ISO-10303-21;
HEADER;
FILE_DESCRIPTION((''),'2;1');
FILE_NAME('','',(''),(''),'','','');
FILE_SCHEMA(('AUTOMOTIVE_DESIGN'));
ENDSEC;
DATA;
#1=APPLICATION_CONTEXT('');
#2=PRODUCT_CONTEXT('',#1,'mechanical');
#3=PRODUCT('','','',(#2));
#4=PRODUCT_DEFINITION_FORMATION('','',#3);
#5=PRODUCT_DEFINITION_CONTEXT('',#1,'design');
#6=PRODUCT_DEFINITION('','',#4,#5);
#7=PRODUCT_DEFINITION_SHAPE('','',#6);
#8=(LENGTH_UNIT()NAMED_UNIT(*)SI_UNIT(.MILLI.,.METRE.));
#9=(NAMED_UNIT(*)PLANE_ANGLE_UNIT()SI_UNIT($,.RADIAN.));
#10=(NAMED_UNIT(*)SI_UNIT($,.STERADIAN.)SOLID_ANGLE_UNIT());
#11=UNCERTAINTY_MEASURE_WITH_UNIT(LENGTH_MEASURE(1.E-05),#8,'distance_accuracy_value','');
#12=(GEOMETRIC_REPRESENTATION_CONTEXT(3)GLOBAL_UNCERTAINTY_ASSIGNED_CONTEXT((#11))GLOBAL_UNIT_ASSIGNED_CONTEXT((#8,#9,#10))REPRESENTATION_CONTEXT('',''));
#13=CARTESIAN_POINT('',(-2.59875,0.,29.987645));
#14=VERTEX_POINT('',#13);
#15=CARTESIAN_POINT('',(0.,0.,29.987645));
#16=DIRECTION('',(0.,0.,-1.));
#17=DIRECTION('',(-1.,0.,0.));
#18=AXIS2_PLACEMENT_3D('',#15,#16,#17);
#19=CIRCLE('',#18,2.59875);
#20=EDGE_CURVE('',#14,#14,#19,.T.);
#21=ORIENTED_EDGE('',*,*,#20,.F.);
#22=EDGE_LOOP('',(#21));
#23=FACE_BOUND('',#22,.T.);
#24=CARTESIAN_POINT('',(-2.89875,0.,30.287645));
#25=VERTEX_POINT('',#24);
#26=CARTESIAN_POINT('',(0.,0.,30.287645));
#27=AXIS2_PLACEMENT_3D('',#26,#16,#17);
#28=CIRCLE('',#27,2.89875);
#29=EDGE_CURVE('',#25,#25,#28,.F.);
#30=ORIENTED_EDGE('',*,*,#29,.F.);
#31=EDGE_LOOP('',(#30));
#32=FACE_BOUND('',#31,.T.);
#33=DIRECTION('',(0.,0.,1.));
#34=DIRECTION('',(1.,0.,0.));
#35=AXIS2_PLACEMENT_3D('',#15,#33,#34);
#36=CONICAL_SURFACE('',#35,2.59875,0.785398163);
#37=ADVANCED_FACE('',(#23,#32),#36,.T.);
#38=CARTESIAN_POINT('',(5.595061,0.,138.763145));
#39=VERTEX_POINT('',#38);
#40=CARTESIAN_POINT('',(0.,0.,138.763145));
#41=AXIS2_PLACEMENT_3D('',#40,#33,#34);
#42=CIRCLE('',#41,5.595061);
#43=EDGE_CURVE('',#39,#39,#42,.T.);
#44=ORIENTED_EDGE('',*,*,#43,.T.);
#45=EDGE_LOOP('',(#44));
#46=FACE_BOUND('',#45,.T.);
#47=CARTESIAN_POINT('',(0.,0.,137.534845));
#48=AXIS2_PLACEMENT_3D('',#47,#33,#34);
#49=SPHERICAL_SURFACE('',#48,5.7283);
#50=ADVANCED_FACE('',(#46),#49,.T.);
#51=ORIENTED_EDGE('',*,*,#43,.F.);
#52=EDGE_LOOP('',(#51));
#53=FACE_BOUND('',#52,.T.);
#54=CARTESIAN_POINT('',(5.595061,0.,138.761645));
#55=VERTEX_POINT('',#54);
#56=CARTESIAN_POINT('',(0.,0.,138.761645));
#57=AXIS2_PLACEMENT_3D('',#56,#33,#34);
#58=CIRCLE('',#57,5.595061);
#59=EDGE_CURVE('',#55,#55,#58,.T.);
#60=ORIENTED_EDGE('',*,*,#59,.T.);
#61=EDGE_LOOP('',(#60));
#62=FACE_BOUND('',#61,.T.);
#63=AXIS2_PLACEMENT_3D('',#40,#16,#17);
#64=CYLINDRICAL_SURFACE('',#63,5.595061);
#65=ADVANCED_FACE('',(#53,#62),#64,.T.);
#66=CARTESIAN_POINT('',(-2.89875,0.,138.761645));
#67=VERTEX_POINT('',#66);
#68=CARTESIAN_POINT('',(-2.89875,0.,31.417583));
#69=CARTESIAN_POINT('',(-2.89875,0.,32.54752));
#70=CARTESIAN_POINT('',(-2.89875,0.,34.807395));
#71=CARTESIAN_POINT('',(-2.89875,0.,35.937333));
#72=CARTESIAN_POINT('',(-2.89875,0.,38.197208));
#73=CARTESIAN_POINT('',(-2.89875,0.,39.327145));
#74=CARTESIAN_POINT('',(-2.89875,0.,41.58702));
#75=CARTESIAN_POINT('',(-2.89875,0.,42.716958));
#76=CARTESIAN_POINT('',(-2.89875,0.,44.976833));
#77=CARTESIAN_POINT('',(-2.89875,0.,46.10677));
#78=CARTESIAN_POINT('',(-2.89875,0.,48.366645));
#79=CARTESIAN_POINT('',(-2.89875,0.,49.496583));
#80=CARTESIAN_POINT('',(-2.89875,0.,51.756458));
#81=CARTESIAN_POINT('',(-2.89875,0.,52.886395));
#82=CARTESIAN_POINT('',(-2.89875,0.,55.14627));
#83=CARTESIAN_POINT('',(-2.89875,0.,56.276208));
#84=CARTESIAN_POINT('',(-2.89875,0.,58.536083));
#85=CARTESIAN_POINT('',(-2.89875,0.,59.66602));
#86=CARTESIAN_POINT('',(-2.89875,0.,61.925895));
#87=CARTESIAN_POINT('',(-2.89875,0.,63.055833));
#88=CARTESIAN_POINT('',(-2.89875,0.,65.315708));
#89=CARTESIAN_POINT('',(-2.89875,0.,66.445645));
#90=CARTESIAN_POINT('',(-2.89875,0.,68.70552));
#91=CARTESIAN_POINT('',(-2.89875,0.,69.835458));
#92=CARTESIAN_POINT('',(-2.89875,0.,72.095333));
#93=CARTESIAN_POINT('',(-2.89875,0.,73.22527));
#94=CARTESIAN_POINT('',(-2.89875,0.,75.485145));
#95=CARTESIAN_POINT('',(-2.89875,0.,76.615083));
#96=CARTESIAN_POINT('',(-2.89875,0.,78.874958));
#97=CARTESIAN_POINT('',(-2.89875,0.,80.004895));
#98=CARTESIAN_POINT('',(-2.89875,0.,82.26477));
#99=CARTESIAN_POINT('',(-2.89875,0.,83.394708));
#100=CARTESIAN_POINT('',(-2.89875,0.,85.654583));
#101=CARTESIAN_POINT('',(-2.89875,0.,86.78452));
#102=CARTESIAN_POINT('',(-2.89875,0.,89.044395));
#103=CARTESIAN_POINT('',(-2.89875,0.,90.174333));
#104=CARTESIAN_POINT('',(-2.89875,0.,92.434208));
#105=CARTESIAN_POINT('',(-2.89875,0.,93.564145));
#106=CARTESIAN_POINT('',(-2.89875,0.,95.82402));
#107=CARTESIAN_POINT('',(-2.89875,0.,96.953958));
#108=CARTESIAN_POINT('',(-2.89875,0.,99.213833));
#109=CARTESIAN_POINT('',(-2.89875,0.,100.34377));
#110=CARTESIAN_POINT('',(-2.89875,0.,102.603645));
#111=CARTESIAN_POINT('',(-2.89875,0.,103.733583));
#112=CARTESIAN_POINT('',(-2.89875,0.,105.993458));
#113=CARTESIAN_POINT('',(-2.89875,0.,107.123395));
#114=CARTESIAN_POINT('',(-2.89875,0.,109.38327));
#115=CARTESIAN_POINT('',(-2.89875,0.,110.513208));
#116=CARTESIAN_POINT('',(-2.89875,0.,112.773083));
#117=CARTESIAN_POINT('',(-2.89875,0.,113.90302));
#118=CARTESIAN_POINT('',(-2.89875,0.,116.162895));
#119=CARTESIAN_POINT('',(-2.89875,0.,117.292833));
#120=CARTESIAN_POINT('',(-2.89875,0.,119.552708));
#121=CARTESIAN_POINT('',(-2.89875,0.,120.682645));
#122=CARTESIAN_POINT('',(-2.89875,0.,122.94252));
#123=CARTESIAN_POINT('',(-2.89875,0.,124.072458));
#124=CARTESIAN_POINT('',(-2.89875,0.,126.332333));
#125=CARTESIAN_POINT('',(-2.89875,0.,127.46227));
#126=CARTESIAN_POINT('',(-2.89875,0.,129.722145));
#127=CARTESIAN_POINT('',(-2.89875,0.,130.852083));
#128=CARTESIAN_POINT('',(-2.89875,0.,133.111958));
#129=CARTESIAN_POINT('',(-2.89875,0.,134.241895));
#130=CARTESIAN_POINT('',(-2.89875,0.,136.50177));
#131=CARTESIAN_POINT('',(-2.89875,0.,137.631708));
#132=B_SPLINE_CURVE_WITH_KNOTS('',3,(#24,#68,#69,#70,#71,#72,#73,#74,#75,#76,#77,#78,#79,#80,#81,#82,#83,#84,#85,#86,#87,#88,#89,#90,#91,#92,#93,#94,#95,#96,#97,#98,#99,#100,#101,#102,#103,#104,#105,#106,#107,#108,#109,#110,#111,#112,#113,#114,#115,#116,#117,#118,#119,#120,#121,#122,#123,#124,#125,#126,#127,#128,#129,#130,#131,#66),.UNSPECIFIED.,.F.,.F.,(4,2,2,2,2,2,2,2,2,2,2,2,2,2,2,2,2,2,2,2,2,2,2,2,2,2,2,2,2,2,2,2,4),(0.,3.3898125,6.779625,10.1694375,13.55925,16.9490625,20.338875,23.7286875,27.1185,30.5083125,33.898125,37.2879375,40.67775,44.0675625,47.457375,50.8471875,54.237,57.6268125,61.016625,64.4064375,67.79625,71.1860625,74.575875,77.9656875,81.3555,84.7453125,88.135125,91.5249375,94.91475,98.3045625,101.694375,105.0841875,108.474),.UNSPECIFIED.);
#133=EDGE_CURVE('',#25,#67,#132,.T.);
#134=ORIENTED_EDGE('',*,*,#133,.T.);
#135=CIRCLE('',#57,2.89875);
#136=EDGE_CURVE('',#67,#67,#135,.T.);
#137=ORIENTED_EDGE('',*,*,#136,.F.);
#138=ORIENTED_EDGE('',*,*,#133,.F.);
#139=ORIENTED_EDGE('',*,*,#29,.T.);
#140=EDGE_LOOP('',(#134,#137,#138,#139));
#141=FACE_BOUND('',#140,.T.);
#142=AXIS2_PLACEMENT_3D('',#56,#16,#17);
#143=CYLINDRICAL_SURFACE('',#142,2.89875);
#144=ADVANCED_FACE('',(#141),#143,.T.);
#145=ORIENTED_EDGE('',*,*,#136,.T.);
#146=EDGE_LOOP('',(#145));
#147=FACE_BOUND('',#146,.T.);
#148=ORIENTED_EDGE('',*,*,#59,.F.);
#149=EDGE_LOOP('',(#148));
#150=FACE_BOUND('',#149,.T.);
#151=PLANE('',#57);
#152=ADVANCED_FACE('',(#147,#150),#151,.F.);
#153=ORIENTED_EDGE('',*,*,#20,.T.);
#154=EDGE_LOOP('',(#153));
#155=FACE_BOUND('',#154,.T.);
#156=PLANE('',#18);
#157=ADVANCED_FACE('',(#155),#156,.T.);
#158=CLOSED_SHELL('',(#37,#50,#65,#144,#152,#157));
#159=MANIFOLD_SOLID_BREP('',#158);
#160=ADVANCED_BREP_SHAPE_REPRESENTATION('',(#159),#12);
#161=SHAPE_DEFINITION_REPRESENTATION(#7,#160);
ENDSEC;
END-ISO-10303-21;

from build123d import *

# Parameters (mm, degrees)
SKETCH1_R           = 1.9325
BOSS_EXTRUDE1_DEPTH = 112.316
SKETCH2_R           = 3.730040454
BOSS_EXTRUDE2_DEPTH = 0.001
DOME1_FACE_RADIUS   = 3.730040454
DOME1_HEIGHT        = 3
SCALE1_SCALE        = 1.5
SKETCH3_R           = 2.89875
CUT_EXTRUDE1_DEPTH  = 59.7
CHAMFER1_SIZE       = 0.3


with BuildPart() as part:
    # Sketch1 → Boss-Extrude1 (new body)
    with BuildSketch(Plane.XY):
        with Locations(Location((0, 0, 0), (0, 0, 180))):
            Circle(SKETCH1_R)
    extrude(amount=BOSS_EXTRUDE1_DEPTH)

    # Sketch2 → Boss-Extrude2 (add)
    with BuildSketch(Plane.XY.offset(112.316)):
        Circle(SKETCH2_R)
    extrude(amount=BOSS_EXTRUDE2_DEPTH)

    # Dome1: a dome of height H over a round flat face of radius A is a cap of a sphere of radius (A * A + H * H) / (2 * H)
    dome1_r = (DOME1_FACE_RADIUS * DOME1_FACE_RADIUS + DOME1_HEIGHT * DOME1_HEIGHT) / (2 * DOME1_HEIGHT)
    dome1_base = Plane((0, 0, 112.317), z_dir=(0, 0, 1))
    with Locations(dome1_base.offset(DOME1_HEIGHT - dome1_r)):
        dome1_ball = Sphere(dome1_r, mode=Mode.PRIVATE)
    add(split(dome1_ball, bisect_by=dome1_base, keep=Keep.TOP, mode=Mode.PRIVATE))


with BuildPart() as part_1:
    # Scale1: scaled about (0, 0, 59.424709499)
    add(part.part.scale(SCALE1_SCALE).moved(Location((0, 0, -29.71235475))))

    # Sketch3 → Cut-Extrude1 (cut)
    with BuildSketch(Plane(origin=(0, 0, -29.712354749), x_dir=(-1, 0, 0), z_dir=(0, 0, -1))):
        Circle(SKETCH3_R)
    extrude(amount=-CUT_EXTRUDE1_DEPTH, mode=Mode.SUBTRACT)

    # Chamfer1
    chamfer1_edges = [part_1.edges().sort_by_distance(p)[0] for p in [
        (2.89875, 0, 29.987645251),
    ]]
    chamfer(chamfer1_edges, length=CHAMFER1_SIZE)


solid = part_1.part
